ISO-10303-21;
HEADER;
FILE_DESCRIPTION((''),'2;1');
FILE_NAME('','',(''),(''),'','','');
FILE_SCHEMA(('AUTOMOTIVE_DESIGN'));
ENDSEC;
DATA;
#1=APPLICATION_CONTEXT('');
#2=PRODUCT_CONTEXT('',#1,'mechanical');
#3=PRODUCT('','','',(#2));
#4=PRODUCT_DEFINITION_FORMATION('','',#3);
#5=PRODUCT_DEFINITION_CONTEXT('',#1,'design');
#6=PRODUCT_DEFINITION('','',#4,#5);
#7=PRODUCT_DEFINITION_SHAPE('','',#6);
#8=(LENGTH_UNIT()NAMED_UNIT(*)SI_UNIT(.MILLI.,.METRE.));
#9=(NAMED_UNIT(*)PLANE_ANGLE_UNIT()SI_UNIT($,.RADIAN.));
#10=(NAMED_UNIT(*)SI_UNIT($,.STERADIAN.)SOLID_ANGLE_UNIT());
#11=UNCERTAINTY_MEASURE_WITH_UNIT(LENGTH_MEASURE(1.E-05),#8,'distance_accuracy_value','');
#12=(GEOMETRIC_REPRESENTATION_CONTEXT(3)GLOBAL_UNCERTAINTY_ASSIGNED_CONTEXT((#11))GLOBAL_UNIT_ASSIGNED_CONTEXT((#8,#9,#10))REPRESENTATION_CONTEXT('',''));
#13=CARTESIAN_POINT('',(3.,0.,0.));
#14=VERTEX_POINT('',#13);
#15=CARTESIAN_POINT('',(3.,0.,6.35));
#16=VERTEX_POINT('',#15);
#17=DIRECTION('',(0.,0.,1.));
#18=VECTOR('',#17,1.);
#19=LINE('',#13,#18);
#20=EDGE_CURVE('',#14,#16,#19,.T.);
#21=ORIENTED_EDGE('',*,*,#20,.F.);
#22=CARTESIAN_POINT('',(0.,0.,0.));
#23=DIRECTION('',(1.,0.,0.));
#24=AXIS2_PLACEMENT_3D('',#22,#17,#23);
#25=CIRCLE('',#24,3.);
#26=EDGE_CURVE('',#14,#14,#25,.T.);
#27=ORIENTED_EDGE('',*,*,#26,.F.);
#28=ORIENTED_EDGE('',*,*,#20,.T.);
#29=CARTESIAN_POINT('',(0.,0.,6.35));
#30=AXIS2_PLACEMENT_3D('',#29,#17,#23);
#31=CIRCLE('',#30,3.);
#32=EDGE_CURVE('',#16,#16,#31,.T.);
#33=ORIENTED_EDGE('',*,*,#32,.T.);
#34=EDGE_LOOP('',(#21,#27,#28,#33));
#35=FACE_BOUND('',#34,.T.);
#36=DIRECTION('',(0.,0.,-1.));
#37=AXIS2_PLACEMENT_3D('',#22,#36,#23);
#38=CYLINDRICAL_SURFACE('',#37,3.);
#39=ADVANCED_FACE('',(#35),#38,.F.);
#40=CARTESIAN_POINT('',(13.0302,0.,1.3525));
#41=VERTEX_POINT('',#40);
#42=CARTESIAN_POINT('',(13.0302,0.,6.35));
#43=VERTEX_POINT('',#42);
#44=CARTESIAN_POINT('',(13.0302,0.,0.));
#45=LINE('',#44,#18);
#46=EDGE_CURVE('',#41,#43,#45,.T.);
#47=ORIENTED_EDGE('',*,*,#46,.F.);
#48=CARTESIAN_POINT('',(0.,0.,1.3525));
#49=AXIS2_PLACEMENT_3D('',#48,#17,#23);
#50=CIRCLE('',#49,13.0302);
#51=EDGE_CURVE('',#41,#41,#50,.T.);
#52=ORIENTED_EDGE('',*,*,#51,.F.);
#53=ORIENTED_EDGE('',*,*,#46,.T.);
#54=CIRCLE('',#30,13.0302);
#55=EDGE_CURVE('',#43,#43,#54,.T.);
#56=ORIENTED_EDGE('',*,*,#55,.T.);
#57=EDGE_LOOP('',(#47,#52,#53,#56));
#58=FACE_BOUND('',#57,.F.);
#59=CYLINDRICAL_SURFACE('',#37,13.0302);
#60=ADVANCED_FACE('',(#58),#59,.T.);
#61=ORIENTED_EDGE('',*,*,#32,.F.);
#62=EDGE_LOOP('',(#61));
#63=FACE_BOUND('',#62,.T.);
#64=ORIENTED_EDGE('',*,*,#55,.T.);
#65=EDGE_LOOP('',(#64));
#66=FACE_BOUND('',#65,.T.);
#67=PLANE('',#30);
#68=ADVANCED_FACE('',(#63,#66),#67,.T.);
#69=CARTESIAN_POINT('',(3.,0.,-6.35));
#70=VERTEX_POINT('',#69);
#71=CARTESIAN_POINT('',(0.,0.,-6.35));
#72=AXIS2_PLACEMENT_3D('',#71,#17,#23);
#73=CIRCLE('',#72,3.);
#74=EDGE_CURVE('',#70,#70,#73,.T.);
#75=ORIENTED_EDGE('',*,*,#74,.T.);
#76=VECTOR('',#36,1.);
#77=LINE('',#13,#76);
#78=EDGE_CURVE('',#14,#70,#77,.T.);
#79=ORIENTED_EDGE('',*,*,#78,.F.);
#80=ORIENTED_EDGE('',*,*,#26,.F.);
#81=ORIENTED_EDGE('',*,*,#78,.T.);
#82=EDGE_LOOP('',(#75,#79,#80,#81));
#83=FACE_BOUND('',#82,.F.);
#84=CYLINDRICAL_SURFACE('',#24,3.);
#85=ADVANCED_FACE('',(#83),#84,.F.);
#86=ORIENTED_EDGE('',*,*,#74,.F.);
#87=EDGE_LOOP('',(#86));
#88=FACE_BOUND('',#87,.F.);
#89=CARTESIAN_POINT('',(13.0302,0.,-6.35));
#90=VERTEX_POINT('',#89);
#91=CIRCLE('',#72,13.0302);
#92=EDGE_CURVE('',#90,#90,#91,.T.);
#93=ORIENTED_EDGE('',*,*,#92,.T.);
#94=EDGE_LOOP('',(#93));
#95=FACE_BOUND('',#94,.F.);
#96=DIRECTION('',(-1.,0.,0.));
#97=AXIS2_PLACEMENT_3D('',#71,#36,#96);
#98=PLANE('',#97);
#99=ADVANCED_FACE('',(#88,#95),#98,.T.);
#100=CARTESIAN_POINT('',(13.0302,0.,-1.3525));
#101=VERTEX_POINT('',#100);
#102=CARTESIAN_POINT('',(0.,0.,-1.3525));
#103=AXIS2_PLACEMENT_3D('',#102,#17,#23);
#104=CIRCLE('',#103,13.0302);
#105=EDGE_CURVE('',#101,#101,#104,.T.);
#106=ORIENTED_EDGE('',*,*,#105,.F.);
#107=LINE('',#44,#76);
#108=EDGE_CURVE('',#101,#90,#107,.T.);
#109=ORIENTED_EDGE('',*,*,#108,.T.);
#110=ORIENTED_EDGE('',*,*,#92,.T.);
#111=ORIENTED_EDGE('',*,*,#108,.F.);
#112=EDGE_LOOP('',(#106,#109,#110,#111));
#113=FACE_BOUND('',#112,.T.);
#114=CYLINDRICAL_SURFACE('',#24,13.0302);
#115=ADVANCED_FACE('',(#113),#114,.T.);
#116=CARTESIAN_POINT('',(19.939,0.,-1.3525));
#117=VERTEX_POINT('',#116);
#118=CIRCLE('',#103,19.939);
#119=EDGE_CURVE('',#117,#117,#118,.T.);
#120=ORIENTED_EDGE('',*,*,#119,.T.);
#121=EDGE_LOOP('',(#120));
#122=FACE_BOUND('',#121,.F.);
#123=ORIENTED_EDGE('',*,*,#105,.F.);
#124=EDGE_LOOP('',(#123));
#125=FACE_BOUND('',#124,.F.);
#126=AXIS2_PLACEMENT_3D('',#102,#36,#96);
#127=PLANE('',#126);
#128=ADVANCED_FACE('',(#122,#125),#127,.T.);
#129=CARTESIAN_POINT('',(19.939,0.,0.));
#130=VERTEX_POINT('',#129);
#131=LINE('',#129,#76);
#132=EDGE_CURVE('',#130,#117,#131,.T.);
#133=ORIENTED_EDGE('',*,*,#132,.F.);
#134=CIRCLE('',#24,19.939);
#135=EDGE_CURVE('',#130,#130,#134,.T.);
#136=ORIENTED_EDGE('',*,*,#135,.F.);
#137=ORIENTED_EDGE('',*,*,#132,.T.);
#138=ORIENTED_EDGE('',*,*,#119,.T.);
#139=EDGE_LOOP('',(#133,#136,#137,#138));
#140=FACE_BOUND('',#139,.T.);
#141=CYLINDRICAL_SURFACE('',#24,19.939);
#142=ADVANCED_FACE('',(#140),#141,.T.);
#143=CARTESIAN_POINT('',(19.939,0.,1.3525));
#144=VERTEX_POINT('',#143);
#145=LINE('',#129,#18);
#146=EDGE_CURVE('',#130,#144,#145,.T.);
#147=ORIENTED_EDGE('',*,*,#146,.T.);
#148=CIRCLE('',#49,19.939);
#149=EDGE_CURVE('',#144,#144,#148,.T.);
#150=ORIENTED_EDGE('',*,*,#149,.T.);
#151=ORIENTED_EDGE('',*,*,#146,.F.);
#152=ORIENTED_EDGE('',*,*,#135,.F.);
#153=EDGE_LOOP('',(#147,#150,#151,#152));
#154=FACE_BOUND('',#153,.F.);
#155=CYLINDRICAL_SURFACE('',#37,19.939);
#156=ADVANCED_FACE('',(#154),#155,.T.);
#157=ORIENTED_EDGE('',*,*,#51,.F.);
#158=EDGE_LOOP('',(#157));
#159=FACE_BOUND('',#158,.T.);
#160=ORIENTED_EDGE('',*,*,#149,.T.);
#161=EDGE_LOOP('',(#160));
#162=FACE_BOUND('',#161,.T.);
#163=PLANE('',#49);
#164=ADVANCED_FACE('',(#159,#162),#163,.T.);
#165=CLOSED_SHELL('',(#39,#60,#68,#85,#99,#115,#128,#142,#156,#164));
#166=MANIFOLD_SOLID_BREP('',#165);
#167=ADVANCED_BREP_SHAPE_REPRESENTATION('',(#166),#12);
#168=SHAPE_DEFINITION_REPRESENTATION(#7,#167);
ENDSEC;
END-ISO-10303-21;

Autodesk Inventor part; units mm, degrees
ref_plane "YZ Plane" through (0, 0, 0) normal (1, 0, 0) x (0, 1, 0)
ref_plane "XZ Plane" through (0, 0, 0) normal (0, 1, 0) x (-1, 0, 0)
ref_plane "XY Plane" through (0, 0, 0) normal (0, 0, 1) x (1, 0, 0)
sketch "Sketch1" plane through (0, 0, 0) normal (0, 0, 1) x (1, 0, 0)
  circle A0 centre (0, 0) radius 13.0302
  circle A1 centre (0, 0) radius 3
  circle A2 centre (0, 0) radius 19.939
  dimension "d0" = 26.0604
  dimension "d1" = 6
  dimension "d2" = 39.878
extrude "Extrusion1" add sketch "Sketch1" along normal blind 6.35 contours A0
extrude "Extrusion2" add sketch "Sketch1" along normal blind 1.3525 contours A2
mirror "Mirror1" about plane through (0, 0, 0) normal (0, 0, -1)
properties part number "TensionerSprocket" material "Steel"
